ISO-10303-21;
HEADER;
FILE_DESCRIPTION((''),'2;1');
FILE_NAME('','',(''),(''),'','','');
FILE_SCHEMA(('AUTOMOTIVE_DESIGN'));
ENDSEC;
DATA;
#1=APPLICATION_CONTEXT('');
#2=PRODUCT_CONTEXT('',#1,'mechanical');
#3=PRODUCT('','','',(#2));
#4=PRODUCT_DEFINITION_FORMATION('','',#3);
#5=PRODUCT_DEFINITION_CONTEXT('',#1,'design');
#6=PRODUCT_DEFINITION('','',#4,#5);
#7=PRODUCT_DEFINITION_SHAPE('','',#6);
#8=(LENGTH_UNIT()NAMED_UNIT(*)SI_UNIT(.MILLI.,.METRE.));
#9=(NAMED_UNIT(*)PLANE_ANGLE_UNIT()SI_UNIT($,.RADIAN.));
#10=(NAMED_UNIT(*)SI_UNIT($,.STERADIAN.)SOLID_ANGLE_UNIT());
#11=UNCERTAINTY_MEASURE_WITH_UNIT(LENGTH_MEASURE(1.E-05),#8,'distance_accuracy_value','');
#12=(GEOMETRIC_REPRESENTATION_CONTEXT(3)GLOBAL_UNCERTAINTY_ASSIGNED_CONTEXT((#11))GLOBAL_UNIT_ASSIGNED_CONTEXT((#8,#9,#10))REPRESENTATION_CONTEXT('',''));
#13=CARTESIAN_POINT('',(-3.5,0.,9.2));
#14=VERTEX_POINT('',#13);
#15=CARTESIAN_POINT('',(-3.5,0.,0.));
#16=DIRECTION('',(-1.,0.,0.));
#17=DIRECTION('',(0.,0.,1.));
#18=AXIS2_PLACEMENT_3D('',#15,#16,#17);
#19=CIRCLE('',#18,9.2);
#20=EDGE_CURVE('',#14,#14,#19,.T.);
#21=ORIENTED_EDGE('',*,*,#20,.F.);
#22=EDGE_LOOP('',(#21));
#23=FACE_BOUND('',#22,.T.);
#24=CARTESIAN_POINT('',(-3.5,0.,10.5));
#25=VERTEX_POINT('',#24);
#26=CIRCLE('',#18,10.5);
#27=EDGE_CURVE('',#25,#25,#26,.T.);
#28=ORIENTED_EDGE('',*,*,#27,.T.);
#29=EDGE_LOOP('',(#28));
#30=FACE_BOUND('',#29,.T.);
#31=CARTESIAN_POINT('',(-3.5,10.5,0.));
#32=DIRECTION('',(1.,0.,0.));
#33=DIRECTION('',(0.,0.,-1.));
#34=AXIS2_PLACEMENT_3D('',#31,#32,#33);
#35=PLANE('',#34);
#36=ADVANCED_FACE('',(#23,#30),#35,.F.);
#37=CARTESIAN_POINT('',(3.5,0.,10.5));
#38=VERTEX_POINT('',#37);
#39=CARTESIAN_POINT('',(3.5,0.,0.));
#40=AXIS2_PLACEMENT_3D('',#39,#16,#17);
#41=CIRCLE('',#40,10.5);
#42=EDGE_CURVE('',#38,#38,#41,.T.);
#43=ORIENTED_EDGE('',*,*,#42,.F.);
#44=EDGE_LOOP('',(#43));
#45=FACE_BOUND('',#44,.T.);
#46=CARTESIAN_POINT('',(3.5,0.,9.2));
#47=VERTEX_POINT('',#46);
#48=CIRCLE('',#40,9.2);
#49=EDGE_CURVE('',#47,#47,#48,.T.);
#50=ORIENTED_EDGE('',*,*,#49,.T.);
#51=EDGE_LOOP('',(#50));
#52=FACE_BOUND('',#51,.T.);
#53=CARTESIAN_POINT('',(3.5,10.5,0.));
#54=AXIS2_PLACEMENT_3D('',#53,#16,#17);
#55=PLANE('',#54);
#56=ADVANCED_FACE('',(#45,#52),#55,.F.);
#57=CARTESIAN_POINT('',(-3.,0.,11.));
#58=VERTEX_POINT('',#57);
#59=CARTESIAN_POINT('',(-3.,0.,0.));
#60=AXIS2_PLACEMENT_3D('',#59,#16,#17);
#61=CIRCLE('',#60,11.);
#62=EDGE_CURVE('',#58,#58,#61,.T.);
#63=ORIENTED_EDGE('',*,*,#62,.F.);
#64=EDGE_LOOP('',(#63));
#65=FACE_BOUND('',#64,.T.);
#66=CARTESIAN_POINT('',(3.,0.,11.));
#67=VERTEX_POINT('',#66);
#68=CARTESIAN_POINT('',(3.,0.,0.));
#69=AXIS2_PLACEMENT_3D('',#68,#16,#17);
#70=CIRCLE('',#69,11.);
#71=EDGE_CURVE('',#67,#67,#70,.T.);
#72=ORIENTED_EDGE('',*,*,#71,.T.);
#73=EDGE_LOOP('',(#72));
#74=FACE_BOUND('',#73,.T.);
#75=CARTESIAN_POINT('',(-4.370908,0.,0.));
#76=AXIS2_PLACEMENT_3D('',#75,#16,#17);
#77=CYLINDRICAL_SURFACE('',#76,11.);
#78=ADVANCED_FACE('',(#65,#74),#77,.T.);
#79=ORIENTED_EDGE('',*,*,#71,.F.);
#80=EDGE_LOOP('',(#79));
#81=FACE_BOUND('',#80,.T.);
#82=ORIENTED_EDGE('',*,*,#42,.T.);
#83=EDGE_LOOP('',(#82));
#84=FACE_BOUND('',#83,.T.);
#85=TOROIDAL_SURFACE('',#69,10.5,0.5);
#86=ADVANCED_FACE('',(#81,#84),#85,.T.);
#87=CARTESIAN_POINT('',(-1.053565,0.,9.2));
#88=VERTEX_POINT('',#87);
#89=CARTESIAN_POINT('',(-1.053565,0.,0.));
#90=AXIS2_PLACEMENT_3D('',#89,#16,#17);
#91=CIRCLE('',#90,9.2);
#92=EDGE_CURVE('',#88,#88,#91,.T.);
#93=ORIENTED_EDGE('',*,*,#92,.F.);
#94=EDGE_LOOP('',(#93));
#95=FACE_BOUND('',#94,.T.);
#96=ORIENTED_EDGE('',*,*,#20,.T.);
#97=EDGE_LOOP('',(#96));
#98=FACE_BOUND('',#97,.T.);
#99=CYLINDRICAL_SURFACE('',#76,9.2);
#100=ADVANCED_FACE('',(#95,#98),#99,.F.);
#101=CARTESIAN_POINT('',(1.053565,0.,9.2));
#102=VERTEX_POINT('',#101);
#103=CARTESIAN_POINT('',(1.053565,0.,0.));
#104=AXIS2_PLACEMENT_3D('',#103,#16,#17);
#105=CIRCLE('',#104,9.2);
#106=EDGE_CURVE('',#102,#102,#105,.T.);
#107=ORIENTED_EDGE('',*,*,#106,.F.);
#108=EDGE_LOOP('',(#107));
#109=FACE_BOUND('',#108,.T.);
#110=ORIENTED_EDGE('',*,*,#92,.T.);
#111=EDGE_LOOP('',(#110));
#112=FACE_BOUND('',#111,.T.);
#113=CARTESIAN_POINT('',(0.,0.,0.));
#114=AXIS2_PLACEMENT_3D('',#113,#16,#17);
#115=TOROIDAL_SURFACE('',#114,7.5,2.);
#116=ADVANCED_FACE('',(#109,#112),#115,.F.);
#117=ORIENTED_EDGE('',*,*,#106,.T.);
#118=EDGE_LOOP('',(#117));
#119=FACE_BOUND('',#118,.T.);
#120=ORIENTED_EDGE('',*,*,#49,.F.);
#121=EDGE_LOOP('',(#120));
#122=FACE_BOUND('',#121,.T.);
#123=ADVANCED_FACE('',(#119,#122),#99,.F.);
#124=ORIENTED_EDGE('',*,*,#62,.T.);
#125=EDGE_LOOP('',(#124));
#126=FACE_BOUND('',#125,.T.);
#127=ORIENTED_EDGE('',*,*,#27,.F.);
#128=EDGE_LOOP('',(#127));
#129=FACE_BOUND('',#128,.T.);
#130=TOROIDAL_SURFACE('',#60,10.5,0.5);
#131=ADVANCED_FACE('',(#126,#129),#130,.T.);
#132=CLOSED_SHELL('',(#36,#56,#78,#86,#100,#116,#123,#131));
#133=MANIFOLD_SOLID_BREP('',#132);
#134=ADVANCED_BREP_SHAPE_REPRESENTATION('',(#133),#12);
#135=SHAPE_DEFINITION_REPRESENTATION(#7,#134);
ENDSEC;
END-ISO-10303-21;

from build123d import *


with BuildPart() as part:
    # Esquisse1 → Base-Révolution (revolve)
    with BuildSketch(Plane.XY, mode=Mode.PRIVATE) as base_r_volution_sk:
        with BuildLine():
            Line((1.053565375, 9.2), (3.5, 9.2))
            Line((3.5, 9.2), (3.5, 10.5))
            ThreePointArc((3.5, 10.5), (3.353553391, 10.853553391), (3, 11))
            Line((3, 11), (-3, 11))
            ThreePointArc((-3, 11), (-3.353553391, 10.853553391), (-3.5, 10.5))
            Line((-3.5, 10.5), (-3.5, 9.2))
            Line((-3.5, 9.2), (-1.053565375, 9.2))
            ThreePointArc((-1.053565375, 9.2), (0, 9.5), (1.053565375, 9.2))
        make_face()
    revolve(base_r_volution_sk.sketch.rotate(Axis((-4.370908092, 0, 0), (1, 0, 0)), 90), axis=Axis((-4.370908092, 0, 0), (1, 0, 0)))


solid = part.part
